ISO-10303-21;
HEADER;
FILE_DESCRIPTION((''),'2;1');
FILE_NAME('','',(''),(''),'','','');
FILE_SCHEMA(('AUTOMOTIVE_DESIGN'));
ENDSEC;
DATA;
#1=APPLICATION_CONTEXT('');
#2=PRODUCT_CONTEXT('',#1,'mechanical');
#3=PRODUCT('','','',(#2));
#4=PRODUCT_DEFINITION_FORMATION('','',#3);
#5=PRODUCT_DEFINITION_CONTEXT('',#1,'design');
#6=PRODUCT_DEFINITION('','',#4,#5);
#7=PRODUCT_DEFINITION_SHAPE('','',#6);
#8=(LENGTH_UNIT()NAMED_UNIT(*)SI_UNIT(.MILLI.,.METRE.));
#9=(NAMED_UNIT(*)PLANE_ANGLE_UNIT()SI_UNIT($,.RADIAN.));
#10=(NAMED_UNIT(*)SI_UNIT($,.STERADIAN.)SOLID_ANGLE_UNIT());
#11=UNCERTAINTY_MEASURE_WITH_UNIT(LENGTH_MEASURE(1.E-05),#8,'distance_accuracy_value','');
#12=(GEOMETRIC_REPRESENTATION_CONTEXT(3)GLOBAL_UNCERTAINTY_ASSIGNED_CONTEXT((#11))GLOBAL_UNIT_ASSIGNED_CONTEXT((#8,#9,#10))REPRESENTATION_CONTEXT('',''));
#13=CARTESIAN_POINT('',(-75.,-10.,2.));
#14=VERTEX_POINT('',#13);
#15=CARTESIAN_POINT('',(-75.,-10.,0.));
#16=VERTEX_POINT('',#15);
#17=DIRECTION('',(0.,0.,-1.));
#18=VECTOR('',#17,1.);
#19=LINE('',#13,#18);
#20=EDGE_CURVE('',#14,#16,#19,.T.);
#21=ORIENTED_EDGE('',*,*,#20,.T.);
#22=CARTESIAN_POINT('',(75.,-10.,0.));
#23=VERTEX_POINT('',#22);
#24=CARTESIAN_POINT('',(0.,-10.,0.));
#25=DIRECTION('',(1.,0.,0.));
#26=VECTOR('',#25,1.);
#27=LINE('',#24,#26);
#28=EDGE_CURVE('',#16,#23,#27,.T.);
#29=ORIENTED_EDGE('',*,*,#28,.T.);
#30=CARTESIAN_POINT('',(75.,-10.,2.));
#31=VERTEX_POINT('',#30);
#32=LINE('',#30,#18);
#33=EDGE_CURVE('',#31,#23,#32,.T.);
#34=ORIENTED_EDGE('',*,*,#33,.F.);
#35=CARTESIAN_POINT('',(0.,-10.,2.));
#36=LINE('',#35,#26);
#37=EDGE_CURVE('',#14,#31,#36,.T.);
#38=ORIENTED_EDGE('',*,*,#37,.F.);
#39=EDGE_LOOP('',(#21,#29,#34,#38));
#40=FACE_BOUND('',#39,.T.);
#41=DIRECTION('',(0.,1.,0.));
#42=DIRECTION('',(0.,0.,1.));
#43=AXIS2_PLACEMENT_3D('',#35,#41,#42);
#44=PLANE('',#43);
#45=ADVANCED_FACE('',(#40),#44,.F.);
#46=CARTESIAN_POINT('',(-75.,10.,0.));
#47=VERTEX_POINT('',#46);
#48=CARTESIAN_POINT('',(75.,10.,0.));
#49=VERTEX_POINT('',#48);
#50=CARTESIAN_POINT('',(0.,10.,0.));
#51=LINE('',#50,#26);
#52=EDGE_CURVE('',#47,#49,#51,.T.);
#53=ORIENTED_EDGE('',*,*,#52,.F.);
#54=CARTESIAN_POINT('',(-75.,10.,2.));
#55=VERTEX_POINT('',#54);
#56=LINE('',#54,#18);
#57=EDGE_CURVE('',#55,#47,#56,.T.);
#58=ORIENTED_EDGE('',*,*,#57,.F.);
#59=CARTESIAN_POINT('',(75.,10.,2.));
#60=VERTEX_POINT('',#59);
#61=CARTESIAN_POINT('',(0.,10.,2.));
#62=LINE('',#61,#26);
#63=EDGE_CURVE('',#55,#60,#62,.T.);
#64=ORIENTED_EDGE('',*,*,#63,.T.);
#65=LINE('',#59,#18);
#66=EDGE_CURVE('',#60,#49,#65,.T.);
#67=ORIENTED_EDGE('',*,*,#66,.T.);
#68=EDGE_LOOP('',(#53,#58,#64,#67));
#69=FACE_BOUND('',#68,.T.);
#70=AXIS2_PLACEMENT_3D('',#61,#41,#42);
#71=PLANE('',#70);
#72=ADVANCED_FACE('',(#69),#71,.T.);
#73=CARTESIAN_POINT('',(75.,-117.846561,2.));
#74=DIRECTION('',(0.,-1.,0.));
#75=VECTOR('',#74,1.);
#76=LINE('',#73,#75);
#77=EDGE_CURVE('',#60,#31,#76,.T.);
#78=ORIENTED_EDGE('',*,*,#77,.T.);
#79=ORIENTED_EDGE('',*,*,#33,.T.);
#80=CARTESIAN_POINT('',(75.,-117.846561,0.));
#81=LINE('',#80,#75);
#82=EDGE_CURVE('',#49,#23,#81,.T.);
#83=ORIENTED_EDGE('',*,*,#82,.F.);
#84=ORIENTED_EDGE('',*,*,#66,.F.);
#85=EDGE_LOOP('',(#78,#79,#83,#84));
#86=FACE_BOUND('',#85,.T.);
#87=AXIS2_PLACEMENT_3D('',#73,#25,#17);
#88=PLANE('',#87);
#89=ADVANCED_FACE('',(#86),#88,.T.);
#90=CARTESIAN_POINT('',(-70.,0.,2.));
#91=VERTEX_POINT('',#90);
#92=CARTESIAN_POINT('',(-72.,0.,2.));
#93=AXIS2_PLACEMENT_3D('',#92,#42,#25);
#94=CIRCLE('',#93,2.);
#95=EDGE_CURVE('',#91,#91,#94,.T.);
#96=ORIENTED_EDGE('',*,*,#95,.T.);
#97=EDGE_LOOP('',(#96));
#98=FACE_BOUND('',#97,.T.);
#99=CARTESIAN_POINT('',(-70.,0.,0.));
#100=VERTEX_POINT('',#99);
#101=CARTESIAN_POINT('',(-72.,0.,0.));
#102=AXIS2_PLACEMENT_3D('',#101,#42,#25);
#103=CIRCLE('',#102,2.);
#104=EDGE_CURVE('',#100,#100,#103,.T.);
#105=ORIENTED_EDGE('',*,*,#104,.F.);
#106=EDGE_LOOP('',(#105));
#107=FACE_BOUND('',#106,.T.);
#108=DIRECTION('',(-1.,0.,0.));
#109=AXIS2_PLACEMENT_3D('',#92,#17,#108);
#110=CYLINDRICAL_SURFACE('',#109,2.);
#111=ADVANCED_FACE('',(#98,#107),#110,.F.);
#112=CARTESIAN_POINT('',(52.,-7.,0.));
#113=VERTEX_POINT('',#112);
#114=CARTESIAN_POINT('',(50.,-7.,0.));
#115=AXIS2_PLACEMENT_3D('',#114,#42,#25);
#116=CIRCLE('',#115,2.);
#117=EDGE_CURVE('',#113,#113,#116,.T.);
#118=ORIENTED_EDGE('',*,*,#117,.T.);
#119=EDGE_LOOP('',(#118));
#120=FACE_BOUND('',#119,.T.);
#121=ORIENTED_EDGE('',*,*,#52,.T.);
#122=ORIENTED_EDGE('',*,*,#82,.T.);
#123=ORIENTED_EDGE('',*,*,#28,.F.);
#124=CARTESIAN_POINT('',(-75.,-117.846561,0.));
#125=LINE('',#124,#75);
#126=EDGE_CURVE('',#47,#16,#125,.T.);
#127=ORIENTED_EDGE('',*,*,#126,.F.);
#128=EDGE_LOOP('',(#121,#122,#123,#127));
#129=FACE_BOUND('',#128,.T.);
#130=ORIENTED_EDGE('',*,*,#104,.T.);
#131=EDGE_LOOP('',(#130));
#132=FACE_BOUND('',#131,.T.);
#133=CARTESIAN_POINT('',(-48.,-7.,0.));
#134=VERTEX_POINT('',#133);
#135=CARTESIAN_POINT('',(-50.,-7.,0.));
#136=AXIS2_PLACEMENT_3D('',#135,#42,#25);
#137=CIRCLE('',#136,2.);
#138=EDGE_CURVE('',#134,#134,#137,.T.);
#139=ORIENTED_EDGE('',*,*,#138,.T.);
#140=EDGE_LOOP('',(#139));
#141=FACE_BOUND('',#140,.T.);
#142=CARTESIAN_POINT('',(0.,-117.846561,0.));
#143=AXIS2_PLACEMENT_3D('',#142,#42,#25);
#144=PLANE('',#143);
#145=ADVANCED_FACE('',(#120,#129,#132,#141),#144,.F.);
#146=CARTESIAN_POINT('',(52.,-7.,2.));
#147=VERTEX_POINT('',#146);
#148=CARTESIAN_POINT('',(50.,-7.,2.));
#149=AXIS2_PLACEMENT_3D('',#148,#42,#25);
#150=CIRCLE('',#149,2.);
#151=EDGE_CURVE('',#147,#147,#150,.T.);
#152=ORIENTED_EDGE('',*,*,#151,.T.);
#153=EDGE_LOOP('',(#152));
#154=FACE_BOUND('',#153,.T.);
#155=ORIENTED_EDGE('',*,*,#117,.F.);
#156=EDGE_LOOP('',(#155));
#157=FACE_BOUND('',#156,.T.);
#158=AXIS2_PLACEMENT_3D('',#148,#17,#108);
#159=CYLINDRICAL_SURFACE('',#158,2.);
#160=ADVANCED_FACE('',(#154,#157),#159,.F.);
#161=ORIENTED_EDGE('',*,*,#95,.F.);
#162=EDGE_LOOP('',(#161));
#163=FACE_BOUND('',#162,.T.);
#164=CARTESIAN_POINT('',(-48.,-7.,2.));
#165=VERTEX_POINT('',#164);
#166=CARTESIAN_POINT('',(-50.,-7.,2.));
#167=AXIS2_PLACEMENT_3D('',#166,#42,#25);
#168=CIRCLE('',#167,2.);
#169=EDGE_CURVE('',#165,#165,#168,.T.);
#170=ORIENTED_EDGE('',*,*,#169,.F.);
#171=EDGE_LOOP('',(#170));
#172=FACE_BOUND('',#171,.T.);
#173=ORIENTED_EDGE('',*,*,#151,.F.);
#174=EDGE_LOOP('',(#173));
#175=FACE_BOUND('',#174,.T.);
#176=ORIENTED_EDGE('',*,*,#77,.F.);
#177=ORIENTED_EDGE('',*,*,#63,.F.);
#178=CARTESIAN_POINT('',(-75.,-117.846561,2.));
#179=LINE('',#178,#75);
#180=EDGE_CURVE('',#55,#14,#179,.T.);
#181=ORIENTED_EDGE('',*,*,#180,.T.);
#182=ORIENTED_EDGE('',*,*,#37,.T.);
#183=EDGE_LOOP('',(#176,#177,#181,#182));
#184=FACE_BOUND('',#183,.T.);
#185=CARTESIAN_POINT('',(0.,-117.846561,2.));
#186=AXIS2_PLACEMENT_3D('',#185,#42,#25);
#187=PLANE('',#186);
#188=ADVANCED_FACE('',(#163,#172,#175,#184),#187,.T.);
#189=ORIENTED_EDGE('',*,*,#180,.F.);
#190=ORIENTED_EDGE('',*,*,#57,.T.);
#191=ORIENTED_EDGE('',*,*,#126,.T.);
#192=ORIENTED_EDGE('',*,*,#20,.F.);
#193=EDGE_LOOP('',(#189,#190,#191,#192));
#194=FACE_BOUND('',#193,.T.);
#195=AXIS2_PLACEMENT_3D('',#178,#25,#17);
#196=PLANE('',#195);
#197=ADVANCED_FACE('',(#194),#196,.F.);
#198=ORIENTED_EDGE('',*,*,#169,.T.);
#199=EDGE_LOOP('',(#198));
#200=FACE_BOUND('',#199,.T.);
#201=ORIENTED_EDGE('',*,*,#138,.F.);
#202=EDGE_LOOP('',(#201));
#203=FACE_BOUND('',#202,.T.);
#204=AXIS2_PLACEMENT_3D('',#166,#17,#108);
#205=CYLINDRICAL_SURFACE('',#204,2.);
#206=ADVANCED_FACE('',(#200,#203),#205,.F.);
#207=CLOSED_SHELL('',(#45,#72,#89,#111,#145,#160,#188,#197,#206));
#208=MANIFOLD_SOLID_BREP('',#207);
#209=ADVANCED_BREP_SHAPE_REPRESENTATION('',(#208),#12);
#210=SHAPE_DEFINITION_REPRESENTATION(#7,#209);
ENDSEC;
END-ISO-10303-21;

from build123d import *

# Parameters (mm, degrees)
SKETCH_1_W      = 150
SKETCH_1_H      = 20
SKETCH_1_R      = 2
EXTRUDE_2_DEPTH = 2


with BuildPart() as part:
    # 草图1 → 凸台-拉伸2 (new body)
    with BuildSketch(Plane.XY):
        Rectangle(SKETCH_1_W, SKETCH_1_H)
        with Locations((-50, -7)):
            Circle(SKETCH_1_R, mode=Mode.SUBTRACT)
        with Locations((50, -7)):
            Circle(SKETCH_1_R, mode=Mode.SUBTRACT)
        with Locations((-72, 0)):
            Circle(SKETCH_1_R, mode=Mode.SUBTRACT)
    extrude(amount=EXTRUDE_2_DEPTH)


solid = part.part
